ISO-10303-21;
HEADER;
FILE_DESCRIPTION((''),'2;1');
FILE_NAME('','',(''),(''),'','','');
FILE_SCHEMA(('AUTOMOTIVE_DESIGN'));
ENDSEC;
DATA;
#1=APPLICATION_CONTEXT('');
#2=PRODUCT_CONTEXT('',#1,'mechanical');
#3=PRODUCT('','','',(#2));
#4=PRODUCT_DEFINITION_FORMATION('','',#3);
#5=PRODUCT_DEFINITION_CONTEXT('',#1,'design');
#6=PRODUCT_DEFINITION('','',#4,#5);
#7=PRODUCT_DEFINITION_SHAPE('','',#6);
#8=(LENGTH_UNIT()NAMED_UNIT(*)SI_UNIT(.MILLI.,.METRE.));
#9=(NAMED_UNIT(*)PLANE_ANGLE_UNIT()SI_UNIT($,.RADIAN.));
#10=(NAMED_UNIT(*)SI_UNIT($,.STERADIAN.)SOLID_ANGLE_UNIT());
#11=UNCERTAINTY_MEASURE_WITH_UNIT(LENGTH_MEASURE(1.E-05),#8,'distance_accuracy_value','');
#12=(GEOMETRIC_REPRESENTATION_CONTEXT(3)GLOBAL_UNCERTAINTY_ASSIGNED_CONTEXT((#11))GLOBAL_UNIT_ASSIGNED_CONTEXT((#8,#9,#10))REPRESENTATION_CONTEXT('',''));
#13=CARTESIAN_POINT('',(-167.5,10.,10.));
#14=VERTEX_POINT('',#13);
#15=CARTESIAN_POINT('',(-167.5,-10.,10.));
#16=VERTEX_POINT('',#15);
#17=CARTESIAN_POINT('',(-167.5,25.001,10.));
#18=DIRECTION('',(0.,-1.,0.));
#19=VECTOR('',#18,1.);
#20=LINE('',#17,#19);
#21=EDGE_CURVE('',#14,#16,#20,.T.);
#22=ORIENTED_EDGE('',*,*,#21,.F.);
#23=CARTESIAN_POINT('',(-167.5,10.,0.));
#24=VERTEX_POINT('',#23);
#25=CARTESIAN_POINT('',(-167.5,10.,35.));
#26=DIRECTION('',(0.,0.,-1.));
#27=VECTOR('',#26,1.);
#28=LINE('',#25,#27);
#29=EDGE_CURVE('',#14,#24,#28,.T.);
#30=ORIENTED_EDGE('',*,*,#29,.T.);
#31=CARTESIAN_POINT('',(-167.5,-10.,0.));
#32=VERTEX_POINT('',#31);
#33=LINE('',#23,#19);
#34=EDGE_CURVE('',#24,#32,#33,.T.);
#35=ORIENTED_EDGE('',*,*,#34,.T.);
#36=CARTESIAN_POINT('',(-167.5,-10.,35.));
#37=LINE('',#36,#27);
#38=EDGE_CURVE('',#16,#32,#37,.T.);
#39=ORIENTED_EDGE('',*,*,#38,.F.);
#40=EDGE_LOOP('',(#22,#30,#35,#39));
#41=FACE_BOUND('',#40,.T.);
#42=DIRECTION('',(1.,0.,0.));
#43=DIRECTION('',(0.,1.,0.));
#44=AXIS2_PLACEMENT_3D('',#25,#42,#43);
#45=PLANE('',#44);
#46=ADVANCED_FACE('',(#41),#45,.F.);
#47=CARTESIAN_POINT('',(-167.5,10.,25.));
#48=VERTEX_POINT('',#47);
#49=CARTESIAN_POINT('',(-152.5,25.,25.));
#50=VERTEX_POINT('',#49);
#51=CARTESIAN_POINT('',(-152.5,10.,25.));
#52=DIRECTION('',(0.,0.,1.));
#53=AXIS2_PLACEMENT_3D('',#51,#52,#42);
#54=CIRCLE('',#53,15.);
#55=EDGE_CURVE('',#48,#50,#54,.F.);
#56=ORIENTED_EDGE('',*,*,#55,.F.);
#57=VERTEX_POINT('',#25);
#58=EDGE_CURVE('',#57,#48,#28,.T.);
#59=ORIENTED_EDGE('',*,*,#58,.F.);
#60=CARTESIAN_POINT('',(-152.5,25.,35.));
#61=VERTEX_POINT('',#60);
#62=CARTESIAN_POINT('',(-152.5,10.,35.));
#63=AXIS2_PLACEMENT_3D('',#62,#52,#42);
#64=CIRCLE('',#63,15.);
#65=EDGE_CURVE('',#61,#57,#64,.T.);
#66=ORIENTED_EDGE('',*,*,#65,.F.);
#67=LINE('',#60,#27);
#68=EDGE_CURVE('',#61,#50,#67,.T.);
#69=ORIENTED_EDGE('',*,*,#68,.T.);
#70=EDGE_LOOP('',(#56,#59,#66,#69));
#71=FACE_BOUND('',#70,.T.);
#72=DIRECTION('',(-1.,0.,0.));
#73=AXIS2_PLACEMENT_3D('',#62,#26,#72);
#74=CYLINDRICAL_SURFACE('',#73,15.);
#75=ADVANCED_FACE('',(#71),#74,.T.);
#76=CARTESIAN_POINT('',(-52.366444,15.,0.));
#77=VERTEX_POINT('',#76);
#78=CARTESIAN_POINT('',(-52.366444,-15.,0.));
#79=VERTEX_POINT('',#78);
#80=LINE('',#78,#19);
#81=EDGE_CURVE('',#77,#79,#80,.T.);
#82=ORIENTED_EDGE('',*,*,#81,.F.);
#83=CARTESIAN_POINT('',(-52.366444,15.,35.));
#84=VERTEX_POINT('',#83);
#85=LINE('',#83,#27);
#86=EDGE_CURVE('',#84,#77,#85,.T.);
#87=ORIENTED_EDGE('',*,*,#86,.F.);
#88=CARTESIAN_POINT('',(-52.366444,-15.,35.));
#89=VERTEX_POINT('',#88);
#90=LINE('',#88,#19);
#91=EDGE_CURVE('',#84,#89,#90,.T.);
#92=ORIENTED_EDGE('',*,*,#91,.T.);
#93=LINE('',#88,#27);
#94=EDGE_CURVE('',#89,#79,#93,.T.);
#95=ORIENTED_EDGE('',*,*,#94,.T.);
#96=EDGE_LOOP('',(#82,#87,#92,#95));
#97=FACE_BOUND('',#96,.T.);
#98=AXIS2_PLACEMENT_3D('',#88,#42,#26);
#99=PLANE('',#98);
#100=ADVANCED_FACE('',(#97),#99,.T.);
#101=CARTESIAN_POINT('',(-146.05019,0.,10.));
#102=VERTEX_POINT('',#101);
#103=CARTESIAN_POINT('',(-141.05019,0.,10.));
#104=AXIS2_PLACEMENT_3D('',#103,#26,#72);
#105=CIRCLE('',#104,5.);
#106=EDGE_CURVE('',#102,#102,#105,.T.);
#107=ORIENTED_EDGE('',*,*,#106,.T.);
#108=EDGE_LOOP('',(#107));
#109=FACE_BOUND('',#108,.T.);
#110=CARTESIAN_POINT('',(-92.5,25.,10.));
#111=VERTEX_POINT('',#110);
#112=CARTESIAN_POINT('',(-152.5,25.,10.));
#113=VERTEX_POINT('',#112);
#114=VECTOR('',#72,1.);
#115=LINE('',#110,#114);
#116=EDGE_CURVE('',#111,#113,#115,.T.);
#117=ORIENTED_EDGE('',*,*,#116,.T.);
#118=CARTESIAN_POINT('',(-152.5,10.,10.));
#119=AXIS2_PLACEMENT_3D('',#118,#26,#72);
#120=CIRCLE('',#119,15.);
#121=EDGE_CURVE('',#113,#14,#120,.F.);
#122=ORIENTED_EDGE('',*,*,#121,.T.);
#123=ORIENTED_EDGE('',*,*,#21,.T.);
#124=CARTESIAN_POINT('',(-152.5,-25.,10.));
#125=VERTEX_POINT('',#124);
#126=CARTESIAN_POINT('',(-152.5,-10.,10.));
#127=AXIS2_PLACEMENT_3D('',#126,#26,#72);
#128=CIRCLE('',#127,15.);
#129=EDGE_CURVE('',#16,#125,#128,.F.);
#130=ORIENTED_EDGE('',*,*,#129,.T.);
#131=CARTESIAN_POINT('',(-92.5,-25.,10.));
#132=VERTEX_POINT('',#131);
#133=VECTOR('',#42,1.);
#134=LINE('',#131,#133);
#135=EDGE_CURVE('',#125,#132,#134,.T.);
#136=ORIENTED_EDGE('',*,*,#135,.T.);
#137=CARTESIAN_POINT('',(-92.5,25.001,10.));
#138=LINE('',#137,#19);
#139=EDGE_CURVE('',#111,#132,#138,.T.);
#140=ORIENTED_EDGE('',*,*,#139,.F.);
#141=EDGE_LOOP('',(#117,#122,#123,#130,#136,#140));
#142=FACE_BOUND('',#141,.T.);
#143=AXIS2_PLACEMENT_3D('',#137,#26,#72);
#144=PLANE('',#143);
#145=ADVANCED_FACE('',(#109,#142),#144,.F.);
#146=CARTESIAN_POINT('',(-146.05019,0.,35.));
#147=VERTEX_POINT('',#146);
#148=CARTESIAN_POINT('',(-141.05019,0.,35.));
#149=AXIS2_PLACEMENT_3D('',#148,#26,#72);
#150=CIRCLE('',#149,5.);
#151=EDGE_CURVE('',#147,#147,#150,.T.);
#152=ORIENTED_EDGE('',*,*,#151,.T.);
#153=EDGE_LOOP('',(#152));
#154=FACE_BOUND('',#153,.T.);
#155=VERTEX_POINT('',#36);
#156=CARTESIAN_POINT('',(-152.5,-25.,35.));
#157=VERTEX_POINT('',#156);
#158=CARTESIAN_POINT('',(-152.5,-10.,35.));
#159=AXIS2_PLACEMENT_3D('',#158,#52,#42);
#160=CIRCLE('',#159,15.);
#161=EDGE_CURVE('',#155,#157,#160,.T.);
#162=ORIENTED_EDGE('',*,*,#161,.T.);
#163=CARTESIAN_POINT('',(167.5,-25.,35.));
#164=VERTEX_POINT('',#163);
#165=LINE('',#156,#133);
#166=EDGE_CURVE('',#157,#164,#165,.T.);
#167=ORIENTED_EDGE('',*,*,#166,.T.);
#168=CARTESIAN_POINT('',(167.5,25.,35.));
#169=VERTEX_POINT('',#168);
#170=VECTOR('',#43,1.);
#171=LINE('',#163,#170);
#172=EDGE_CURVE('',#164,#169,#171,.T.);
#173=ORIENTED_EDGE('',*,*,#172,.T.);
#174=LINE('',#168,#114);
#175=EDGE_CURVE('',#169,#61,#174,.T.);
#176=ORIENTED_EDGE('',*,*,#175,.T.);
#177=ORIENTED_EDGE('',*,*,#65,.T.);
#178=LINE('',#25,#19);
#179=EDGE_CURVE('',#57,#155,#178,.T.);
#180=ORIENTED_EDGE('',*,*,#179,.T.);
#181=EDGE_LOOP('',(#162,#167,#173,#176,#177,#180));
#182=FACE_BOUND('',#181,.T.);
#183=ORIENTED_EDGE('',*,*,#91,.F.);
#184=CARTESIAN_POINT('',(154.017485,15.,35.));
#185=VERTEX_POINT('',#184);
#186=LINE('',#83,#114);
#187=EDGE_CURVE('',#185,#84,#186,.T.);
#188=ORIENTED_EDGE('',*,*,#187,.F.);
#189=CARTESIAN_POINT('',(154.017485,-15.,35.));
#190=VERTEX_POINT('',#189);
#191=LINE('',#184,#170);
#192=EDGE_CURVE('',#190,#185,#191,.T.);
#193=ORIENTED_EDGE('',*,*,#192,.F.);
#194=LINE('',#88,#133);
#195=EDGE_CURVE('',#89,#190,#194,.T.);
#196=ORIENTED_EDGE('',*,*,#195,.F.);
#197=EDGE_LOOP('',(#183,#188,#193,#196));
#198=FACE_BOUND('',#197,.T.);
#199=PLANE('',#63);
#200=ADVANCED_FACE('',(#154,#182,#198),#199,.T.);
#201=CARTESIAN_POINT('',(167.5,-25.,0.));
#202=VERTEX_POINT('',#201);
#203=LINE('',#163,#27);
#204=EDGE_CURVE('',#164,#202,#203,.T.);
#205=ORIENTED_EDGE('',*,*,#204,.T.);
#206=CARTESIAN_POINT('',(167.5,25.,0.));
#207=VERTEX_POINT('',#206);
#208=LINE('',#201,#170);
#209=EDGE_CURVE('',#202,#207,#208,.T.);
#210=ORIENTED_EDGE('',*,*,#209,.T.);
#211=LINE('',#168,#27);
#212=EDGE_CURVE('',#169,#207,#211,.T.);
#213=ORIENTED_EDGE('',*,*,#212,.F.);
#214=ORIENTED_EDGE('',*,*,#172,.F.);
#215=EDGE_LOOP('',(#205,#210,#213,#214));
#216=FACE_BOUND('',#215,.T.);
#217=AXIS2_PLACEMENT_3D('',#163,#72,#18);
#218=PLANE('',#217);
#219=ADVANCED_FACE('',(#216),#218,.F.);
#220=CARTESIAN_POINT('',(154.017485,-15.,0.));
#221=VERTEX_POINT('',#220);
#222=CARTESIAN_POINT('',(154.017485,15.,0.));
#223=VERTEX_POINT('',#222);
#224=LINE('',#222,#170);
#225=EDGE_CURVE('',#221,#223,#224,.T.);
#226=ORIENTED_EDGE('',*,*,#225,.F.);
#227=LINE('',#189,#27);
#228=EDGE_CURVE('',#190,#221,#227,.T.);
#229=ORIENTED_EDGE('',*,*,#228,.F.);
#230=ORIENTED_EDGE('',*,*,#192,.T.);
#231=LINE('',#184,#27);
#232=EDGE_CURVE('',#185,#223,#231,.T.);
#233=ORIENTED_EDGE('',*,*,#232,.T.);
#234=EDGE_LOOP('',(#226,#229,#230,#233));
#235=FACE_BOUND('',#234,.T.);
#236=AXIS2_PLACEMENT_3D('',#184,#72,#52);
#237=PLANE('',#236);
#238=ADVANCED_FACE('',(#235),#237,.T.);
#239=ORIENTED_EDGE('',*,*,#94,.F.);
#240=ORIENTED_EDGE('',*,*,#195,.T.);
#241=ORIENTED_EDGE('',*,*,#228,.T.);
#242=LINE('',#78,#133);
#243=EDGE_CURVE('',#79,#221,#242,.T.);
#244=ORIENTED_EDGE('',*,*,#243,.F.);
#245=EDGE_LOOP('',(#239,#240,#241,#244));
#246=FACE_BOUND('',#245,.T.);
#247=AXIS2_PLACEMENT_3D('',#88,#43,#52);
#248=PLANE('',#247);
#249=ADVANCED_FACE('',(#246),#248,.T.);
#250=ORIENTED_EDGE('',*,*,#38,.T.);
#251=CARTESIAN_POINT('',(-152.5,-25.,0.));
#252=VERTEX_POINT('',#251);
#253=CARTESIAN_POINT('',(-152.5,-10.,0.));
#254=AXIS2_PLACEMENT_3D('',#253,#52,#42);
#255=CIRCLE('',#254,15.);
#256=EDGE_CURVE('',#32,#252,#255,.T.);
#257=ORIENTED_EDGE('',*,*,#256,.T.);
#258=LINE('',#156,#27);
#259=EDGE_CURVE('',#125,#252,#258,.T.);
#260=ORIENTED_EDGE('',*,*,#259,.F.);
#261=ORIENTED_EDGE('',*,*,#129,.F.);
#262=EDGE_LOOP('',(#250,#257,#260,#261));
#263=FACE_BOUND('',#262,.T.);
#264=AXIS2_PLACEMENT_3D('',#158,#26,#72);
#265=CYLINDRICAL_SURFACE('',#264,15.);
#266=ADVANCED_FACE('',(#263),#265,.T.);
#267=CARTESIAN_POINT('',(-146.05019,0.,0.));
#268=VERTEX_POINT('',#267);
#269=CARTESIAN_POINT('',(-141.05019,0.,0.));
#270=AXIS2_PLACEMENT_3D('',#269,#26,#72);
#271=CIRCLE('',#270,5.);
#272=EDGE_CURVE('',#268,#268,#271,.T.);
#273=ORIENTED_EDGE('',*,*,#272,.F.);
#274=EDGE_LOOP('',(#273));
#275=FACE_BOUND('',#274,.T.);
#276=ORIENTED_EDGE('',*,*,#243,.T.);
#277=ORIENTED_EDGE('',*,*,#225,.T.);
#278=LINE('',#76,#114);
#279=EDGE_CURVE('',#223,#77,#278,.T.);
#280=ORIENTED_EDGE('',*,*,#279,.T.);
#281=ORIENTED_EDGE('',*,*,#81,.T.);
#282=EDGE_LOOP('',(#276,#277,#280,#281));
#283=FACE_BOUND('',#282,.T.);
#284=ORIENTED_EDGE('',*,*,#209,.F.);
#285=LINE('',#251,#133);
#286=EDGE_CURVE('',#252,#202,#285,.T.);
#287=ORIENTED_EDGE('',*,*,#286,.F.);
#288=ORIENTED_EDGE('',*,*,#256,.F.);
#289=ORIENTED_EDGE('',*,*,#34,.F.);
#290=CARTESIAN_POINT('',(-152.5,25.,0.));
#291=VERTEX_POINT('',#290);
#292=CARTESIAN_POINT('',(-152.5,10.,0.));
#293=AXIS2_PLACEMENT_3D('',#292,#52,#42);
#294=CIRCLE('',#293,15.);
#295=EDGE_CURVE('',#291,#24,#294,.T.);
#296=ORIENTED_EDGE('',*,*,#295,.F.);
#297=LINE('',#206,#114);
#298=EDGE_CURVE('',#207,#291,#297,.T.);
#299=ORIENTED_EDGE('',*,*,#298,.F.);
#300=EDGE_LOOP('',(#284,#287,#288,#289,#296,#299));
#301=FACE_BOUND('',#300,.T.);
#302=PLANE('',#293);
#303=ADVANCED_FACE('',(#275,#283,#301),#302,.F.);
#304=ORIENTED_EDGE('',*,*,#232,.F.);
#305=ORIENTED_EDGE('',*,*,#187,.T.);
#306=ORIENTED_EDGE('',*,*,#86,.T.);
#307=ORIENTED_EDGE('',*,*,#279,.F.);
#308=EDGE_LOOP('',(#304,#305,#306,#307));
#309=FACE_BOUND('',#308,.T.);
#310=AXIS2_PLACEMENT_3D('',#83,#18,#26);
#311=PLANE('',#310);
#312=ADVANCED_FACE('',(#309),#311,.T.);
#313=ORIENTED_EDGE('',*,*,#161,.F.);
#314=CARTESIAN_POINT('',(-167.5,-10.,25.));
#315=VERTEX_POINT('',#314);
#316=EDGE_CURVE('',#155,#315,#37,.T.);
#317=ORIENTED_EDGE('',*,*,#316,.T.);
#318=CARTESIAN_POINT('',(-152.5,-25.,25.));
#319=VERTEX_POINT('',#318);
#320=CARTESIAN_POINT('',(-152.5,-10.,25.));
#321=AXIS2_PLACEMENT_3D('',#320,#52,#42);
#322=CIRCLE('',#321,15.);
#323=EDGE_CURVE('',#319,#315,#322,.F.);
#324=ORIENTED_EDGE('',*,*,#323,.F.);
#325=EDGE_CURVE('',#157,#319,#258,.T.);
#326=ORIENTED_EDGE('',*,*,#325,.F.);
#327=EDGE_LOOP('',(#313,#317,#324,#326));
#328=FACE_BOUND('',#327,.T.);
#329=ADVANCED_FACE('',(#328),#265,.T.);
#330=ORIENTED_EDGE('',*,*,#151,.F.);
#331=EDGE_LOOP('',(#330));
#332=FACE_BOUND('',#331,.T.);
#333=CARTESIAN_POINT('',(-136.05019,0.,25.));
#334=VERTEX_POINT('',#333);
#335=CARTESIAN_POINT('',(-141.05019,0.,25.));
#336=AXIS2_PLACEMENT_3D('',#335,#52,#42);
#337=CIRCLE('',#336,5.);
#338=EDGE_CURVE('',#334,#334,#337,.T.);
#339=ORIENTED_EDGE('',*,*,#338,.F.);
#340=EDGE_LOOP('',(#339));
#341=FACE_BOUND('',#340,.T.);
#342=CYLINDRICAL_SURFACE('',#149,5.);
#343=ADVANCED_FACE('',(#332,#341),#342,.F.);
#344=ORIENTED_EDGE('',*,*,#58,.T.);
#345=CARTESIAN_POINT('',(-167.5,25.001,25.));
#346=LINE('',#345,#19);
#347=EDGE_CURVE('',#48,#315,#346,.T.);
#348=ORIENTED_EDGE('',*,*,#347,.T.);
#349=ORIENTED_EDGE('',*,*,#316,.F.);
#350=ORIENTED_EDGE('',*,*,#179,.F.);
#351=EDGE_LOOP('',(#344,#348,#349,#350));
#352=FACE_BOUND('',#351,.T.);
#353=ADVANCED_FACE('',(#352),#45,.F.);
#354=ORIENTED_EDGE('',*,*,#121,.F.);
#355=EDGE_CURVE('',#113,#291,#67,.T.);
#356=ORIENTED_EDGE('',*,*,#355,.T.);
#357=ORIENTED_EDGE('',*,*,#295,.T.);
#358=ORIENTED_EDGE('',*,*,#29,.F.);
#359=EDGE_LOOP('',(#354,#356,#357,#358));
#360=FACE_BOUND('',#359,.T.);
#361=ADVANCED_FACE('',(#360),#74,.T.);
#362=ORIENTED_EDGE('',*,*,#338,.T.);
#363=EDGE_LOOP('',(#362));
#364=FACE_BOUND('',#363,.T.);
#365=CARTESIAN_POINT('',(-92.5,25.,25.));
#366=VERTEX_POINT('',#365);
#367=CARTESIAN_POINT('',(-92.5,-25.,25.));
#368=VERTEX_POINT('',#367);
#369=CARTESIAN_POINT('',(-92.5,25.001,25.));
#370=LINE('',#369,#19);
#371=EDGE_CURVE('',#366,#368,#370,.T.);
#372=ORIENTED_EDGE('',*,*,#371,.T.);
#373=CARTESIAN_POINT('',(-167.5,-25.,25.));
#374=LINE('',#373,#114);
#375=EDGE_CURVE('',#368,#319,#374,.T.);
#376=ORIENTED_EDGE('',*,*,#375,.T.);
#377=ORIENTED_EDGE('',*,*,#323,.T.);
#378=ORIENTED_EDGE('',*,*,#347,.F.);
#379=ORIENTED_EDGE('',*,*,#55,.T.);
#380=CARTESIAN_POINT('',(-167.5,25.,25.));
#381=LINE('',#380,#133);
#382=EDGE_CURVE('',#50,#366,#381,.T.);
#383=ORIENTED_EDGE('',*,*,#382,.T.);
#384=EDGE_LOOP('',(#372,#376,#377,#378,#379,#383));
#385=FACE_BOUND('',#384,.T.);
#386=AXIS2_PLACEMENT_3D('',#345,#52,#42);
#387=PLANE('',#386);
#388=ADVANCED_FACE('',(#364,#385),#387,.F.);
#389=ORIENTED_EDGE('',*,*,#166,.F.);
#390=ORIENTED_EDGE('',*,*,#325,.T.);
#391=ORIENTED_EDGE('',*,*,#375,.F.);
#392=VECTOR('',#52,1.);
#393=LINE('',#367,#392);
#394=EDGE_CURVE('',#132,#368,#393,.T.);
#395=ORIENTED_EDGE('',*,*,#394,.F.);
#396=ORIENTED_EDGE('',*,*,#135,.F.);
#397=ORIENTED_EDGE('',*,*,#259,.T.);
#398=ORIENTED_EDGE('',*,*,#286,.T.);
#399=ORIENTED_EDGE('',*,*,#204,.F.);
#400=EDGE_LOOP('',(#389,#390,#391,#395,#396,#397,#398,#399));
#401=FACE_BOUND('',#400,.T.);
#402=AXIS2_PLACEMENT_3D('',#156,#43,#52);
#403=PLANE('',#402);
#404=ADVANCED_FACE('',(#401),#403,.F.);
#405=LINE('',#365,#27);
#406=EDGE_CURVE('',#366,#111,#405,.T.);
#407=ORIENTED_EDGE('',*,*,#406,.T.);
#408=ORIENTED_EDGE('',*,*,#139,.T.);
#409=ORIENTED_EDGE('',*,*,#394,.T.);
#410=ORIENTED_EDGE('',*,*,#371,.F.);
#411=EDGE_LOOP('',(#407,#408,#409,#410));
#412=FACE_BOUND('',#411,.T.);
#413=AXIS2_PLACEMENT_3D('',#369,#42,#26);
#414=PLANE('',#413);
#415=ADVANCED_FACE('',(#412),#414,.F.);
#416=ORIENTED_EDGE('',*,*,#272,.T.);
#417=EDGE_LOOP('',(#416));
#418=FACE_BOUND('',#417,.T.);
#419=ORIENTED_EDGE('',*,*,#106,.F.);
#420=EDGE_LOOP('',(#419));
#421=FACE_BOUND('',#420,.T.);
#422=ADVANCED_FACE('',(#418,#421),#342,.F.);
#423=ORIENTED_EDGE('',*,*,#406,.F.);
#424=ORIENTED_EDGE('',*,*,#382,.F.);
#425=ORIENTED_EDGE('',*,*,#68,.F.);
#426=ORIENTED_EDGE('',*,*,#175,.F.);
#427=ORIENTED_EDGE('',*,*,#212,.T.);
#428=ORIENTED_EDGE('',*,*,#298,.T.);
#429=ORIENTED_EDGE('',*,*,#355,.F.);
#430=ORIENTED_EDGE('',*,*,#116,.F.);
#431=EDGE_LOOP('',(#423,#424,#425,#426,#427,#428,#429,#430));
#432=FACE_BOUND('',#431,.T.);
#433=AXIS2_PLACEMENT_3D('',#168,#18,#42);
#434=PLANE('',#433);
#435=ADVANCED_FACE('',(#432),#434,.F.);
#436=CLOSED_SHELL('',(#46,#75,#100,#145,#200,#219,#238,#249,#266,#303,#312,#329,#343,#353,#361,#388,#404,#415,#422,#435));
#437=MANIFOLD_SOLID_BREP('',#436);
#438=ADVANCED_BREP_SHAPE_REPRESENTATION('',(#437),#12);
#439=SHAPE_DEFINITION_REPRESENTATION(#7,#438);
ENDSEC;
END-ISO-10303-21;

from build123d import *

# Parameters (mm, degrees)
SKETCH3_W           = 206.383928572
SKETCH3_H           = 30
BOSS_EXTRUDE1_DEPTH = 35
CUT_EXTRUDE2_REACH  = 180.273
SKETCH5_W           = 75
SKETCH5_H           = 15
SKETCH6_R           = 5
CUT_EXTRUDE3_DEPTH  = 173.934236055


with BuildPart() as part:
    # Sketch3 → Boss-Extrude1 (new body)
    with BuildSketch(Plane.XY):
        with BuildLine():
            Line((-167.5, 10), (-167.5, -10))
            ThreePointArc((-167.5, -10), (-163.106601718, -20.606601718), (-152.5, -25))
            Line((-152.5, -25), (167.5, -25))
            Line((167.5, -25), (167.5, 25))
            Line((167.5, 25), (-152.5, 25))
            ThreePointArc((-152.5, 25), (-163.106601718, 20.606601718), (-167.5, 10))
        make_face()
        with Locations((50.825520553, 0)):
            Rectangle(SKETCH3_W, SKETCH3_H, mode=Mode.SUBTRACT)
    extrude(amount=BOSS_EXTRUDE1_DEPTH)

    # Sketch5 → Cut-Extrude2 (cut, up to next)
    with BuildSketch(Plane.XZ.offset(25), mode=Mode.PRIVATE) as cut_extrude2_sk1:
        with Locations((-130, 17.5)):
            Rectangle(SKETCH5_W, SKETCH5_H)
    cut_extrude2_tool1 = extrude(cut_extrude2_sk1.sketch, amount=-CUT_EXTRUDE2_REACH, mode=Mode.PRIVATE) & part.part
    add(cut_extrude2_tool1.solids().sort_by_distance((-130, -25, 17.5))[0], mode=Mode.SUBTRACT)

    # Sketch6 → Cut-Extrude3 (cut, through all)
    with BuildSketch(Plane(origin=(0, 0, 0), x_dir=(-1, 0, 0), z_dir=(0, 0, -1))):
        with Locations((141.050190179, 0)):
            Circle(SKETCH6_R)
    extrude(amount=-CUT_EXTRUDE3_DEPTH, mode=Mode.SUBTRACT)


solid = part.part
